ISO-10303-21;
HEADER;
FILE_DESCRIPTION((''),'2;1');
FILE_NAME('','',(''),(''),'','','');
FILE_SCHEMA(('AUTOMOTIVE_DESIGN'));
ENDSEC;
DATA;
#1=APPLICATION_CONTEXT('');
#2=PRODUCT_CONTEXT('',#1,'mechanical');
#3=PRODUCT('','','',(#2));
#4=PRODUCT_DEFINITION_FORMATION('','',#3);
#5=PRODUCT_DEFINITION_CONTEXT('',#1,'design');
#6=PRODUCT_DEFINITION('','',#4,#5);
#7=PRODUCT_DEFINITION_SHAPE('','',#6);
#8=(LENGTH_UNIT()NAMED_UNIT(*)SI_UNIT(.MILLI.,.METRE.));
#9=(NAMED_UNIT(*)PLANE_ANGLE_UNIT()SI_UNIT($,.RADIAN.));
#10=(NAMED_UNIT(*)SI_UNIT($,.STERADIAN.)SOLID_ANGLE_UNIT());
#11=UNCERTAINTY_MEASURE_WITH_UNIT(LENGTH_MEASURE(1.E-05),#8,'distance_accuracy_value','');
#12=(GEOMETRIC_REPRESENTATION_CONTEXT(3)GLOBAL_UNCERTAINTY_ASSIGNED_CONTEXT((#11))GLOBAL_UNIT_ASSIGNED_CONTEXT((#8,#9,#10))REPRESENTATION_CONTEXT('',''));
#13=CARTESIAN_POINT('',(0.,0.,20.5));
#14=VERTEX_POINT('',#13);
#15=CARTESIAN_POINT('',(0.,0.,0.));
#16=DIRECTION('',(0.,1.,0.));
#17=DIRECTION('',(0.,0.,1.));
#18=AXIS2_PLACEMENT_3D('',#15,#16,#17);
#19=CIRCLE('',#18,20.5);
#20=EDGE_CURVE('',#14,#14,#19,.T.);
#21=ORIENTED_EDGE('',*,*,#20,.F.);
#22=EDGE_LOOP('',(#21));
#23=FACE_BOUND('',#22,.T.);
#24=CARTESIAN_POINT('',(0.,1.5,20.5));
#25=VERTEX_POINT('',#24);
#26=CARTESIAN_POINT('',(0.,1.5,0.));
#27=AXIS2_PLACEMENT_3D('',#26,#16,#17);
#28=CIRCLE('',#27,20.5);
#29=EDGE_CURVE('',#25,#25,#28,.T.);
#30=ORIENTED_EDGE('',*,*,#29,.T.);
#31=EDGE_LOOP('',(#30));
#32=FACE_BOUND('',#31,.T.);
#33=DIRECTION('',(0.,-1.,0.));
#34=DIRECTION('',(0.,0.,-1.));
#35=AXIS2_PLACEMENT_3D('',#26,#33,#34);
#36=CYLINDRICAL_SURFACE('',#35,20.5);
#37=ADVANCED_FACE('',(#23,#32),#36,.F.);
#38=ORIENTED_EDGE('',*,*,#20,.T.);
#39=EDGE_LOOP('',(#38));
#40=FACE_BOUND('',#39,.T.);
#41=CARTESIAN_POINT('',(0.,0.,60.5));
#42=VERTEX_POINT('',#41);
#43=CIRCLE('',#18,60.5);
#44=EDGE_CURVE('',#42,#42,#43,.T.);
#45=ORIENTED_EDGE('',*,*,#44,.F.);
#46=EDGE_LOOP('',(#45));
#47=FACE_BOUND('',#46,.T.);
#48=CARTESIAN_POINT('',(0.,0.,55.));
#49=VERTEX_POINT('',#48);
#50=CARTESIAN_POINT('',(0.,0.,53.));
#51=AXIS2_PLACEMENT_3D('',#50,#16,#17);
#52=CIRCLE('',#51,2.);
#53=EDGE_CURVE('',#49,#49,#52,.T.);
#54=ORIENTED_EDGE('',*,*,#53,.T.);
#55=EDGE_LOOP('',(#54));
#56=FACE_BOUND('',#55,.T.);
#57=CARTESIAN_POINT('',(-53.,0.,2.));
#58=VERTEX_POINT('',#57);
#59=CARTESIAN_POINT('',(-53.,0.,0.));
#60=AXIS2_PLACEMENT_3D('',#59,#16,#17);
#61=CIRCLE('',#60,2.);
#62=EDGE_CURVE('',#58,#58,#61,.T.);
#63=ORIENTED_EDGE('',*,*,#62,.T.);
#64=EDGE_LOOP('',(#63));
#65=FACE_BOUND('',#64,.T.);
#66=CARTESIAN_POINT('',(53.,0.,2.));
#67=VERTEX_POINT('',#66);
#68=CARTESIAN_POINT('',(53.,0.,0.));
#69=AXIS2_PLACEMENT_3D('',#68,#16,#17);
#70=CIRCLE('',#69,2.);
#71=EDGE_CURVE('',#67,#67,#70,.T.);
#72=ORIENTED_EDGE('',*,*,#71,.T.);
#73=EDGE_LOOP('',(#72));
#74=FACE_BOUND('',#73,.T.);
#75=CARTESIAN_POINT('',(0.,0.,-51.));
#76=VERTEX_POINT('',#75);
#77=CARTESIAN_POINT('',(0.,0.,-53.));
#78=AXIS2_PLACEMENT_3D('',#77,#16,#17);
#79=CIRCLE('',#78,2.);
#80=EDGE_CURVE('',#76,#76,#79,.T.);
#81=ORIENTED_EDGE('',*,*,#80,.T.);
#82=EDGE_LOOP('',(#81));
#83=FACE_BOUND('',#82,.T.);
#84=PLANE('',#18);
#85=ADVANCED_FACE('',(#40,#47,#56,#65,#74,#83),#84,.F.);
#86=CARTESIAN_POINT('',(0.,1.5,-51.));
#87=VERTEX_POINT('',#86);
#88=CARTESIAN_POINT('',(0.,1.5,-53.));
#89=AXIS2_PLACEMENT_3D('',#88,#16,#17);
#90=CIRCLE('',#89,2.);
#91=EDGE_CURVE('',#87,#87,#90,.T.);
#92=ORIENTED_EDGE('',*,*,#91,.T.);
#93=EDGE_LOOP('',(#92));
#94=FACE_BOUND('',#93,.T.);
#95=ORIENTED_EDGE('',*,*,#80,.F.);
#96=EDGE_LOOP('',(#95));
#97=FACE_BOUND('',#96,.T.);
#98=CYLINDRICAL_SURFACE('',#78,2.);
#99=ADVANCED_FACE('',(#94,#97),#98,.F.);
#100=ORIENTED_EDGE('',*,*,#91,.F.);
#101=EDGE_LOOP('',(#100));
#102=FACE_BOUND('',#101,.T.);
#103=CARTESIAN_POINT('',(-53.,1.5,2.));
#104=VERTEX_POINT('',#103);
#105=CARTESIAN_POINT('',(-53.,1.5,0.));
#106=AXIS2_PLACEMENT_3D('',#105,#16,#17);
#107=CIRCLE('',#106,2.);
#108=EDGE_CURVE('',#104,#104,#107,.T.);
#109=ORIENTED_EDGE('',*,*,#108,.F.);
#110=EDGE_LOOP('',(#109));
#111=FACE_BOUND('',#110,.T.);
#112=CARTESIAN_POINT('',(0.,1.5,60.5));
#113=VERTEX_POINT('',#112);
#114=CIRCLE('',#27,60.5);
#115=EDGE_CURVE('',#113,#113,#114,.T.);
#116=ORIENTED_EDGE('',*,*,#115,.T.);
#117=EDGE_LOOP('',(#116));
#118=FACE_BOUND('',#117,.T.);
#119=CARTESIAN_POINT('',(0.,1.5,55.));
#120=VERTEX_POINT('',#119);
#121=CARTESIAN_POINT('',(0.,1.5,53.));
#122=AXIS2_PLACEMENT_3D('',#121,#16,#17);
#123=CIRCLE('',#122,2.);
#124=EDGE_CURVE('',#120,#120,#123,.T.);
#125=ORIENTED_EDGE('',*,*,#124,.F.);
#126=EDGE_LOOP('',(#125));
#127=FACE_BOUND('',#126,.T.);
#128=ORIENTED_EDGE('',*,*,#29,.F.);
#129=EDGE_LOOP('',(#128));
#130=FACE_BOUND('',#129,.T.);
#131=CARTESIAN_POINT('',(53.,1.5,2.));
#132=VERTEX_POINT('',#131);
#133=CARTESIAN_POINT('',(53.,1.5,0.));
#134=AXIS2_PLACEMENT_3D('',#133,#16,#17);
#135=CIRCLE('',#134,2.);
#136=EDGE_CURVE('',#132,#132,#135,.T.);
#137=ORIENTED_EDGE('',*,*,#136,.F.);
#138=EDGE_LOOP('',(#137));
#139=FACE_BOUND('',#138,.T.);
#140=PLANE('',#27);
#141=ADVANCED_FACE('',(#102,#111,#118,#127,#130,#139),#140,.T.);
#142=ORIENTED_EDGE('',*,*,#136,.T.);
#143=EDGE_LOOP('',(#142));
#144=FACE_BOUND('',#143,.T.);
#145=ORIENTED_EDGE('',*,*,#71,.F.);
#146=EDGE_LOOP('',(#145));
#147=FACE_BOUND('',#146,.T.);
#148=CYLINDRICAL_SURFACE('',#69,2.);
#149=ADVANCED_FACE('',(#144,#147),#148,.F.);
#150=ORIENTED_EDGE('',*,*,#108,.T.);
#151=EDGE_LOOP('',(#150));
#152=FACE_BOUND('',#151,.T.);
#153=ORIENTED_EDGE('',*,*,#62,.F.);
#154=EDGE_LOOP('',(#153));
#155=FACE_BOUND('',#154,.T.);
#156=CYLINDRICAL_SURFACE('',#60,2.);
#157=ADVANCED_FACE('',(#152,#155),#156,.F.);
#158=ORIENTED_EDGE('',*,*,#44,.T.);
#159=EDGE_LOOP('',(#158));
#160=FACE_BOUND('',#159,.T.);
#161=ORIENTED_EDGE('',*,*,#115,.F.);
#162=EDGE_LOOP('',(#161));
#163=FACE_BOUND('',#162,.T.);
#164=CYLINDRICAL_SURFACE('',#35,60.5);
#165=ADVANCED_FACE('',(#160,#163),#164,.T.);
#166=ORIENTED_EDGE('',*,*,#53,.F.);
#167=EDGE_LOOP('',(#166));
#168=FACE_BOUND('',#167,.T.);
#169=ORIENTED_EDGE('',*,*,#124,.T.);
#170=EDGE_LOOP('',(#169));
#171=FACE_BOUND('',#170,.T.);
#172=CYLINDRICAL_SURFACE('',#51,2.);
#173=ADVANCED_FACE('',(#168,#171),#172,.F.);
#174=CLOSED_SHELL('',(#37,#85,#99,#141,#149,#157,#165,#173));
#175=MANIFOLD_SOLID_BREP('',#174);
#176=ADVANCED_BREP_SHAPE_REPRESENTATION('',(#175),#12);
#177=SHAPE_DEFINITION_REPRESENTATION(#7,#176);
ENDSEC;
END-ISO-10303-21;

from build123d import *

# Parameters (mm, degrees)
SKETCH1_R           = 60.5
SKETCH1_R_2         = 20.5
BOSS_EXTRUDE1_DEPTH = 1.5
SKETCH2_R           = 2
CUT_EXTRUDE1_DEPTH  = 86.573068193


with BuildPart() as part:
    # Sketch1 → Boss-Extrude1 (new body)
    with BuildSketch(Plane(origin=(0, 0, 0), x_dir=(1, 0, 0), z_dir=(0, 1, 0))):
        with Locations(Location((0, 0, 0), (0, 0, 270))):
            Circle(SKETCH1_R)
        with Locations(Location((0, 0, 0), (0, 0, 270))):
            Circle(SKETCH1_R_2, mode=Mode.SUBTRACT)
    extrude(amount=BOSS_EXTRUDE1_DEPTH)

    # Sketch2 → Cut-Extrude1 (cut, through all)
    with BuildSketch(Plane(origin=(0, 1.5, 0), x_dir=(1, 0, 0), z_dir=(0, 1, 0))):
        with Locations(Location((0, 53, 0), (0, 0, 270))):
            Circle(SKETCH2_R)
        with Locations(Location((53, 0, 0), (0, 0, 270))):
            Circle(SKETCH2_R)
        with Locations(Location((0, -53, 0), (0, 0, 270))):
            Circle(SKETCH2_R)
        with Locations(Location((-53, 0, 0), (0, 0, 270))):
            Circle(SKETCH2_R)
    extrude(amount=-CUT_EXTRUDE1_DEPTH, mode=Mode.SUBTRACT)


solid = part.part
